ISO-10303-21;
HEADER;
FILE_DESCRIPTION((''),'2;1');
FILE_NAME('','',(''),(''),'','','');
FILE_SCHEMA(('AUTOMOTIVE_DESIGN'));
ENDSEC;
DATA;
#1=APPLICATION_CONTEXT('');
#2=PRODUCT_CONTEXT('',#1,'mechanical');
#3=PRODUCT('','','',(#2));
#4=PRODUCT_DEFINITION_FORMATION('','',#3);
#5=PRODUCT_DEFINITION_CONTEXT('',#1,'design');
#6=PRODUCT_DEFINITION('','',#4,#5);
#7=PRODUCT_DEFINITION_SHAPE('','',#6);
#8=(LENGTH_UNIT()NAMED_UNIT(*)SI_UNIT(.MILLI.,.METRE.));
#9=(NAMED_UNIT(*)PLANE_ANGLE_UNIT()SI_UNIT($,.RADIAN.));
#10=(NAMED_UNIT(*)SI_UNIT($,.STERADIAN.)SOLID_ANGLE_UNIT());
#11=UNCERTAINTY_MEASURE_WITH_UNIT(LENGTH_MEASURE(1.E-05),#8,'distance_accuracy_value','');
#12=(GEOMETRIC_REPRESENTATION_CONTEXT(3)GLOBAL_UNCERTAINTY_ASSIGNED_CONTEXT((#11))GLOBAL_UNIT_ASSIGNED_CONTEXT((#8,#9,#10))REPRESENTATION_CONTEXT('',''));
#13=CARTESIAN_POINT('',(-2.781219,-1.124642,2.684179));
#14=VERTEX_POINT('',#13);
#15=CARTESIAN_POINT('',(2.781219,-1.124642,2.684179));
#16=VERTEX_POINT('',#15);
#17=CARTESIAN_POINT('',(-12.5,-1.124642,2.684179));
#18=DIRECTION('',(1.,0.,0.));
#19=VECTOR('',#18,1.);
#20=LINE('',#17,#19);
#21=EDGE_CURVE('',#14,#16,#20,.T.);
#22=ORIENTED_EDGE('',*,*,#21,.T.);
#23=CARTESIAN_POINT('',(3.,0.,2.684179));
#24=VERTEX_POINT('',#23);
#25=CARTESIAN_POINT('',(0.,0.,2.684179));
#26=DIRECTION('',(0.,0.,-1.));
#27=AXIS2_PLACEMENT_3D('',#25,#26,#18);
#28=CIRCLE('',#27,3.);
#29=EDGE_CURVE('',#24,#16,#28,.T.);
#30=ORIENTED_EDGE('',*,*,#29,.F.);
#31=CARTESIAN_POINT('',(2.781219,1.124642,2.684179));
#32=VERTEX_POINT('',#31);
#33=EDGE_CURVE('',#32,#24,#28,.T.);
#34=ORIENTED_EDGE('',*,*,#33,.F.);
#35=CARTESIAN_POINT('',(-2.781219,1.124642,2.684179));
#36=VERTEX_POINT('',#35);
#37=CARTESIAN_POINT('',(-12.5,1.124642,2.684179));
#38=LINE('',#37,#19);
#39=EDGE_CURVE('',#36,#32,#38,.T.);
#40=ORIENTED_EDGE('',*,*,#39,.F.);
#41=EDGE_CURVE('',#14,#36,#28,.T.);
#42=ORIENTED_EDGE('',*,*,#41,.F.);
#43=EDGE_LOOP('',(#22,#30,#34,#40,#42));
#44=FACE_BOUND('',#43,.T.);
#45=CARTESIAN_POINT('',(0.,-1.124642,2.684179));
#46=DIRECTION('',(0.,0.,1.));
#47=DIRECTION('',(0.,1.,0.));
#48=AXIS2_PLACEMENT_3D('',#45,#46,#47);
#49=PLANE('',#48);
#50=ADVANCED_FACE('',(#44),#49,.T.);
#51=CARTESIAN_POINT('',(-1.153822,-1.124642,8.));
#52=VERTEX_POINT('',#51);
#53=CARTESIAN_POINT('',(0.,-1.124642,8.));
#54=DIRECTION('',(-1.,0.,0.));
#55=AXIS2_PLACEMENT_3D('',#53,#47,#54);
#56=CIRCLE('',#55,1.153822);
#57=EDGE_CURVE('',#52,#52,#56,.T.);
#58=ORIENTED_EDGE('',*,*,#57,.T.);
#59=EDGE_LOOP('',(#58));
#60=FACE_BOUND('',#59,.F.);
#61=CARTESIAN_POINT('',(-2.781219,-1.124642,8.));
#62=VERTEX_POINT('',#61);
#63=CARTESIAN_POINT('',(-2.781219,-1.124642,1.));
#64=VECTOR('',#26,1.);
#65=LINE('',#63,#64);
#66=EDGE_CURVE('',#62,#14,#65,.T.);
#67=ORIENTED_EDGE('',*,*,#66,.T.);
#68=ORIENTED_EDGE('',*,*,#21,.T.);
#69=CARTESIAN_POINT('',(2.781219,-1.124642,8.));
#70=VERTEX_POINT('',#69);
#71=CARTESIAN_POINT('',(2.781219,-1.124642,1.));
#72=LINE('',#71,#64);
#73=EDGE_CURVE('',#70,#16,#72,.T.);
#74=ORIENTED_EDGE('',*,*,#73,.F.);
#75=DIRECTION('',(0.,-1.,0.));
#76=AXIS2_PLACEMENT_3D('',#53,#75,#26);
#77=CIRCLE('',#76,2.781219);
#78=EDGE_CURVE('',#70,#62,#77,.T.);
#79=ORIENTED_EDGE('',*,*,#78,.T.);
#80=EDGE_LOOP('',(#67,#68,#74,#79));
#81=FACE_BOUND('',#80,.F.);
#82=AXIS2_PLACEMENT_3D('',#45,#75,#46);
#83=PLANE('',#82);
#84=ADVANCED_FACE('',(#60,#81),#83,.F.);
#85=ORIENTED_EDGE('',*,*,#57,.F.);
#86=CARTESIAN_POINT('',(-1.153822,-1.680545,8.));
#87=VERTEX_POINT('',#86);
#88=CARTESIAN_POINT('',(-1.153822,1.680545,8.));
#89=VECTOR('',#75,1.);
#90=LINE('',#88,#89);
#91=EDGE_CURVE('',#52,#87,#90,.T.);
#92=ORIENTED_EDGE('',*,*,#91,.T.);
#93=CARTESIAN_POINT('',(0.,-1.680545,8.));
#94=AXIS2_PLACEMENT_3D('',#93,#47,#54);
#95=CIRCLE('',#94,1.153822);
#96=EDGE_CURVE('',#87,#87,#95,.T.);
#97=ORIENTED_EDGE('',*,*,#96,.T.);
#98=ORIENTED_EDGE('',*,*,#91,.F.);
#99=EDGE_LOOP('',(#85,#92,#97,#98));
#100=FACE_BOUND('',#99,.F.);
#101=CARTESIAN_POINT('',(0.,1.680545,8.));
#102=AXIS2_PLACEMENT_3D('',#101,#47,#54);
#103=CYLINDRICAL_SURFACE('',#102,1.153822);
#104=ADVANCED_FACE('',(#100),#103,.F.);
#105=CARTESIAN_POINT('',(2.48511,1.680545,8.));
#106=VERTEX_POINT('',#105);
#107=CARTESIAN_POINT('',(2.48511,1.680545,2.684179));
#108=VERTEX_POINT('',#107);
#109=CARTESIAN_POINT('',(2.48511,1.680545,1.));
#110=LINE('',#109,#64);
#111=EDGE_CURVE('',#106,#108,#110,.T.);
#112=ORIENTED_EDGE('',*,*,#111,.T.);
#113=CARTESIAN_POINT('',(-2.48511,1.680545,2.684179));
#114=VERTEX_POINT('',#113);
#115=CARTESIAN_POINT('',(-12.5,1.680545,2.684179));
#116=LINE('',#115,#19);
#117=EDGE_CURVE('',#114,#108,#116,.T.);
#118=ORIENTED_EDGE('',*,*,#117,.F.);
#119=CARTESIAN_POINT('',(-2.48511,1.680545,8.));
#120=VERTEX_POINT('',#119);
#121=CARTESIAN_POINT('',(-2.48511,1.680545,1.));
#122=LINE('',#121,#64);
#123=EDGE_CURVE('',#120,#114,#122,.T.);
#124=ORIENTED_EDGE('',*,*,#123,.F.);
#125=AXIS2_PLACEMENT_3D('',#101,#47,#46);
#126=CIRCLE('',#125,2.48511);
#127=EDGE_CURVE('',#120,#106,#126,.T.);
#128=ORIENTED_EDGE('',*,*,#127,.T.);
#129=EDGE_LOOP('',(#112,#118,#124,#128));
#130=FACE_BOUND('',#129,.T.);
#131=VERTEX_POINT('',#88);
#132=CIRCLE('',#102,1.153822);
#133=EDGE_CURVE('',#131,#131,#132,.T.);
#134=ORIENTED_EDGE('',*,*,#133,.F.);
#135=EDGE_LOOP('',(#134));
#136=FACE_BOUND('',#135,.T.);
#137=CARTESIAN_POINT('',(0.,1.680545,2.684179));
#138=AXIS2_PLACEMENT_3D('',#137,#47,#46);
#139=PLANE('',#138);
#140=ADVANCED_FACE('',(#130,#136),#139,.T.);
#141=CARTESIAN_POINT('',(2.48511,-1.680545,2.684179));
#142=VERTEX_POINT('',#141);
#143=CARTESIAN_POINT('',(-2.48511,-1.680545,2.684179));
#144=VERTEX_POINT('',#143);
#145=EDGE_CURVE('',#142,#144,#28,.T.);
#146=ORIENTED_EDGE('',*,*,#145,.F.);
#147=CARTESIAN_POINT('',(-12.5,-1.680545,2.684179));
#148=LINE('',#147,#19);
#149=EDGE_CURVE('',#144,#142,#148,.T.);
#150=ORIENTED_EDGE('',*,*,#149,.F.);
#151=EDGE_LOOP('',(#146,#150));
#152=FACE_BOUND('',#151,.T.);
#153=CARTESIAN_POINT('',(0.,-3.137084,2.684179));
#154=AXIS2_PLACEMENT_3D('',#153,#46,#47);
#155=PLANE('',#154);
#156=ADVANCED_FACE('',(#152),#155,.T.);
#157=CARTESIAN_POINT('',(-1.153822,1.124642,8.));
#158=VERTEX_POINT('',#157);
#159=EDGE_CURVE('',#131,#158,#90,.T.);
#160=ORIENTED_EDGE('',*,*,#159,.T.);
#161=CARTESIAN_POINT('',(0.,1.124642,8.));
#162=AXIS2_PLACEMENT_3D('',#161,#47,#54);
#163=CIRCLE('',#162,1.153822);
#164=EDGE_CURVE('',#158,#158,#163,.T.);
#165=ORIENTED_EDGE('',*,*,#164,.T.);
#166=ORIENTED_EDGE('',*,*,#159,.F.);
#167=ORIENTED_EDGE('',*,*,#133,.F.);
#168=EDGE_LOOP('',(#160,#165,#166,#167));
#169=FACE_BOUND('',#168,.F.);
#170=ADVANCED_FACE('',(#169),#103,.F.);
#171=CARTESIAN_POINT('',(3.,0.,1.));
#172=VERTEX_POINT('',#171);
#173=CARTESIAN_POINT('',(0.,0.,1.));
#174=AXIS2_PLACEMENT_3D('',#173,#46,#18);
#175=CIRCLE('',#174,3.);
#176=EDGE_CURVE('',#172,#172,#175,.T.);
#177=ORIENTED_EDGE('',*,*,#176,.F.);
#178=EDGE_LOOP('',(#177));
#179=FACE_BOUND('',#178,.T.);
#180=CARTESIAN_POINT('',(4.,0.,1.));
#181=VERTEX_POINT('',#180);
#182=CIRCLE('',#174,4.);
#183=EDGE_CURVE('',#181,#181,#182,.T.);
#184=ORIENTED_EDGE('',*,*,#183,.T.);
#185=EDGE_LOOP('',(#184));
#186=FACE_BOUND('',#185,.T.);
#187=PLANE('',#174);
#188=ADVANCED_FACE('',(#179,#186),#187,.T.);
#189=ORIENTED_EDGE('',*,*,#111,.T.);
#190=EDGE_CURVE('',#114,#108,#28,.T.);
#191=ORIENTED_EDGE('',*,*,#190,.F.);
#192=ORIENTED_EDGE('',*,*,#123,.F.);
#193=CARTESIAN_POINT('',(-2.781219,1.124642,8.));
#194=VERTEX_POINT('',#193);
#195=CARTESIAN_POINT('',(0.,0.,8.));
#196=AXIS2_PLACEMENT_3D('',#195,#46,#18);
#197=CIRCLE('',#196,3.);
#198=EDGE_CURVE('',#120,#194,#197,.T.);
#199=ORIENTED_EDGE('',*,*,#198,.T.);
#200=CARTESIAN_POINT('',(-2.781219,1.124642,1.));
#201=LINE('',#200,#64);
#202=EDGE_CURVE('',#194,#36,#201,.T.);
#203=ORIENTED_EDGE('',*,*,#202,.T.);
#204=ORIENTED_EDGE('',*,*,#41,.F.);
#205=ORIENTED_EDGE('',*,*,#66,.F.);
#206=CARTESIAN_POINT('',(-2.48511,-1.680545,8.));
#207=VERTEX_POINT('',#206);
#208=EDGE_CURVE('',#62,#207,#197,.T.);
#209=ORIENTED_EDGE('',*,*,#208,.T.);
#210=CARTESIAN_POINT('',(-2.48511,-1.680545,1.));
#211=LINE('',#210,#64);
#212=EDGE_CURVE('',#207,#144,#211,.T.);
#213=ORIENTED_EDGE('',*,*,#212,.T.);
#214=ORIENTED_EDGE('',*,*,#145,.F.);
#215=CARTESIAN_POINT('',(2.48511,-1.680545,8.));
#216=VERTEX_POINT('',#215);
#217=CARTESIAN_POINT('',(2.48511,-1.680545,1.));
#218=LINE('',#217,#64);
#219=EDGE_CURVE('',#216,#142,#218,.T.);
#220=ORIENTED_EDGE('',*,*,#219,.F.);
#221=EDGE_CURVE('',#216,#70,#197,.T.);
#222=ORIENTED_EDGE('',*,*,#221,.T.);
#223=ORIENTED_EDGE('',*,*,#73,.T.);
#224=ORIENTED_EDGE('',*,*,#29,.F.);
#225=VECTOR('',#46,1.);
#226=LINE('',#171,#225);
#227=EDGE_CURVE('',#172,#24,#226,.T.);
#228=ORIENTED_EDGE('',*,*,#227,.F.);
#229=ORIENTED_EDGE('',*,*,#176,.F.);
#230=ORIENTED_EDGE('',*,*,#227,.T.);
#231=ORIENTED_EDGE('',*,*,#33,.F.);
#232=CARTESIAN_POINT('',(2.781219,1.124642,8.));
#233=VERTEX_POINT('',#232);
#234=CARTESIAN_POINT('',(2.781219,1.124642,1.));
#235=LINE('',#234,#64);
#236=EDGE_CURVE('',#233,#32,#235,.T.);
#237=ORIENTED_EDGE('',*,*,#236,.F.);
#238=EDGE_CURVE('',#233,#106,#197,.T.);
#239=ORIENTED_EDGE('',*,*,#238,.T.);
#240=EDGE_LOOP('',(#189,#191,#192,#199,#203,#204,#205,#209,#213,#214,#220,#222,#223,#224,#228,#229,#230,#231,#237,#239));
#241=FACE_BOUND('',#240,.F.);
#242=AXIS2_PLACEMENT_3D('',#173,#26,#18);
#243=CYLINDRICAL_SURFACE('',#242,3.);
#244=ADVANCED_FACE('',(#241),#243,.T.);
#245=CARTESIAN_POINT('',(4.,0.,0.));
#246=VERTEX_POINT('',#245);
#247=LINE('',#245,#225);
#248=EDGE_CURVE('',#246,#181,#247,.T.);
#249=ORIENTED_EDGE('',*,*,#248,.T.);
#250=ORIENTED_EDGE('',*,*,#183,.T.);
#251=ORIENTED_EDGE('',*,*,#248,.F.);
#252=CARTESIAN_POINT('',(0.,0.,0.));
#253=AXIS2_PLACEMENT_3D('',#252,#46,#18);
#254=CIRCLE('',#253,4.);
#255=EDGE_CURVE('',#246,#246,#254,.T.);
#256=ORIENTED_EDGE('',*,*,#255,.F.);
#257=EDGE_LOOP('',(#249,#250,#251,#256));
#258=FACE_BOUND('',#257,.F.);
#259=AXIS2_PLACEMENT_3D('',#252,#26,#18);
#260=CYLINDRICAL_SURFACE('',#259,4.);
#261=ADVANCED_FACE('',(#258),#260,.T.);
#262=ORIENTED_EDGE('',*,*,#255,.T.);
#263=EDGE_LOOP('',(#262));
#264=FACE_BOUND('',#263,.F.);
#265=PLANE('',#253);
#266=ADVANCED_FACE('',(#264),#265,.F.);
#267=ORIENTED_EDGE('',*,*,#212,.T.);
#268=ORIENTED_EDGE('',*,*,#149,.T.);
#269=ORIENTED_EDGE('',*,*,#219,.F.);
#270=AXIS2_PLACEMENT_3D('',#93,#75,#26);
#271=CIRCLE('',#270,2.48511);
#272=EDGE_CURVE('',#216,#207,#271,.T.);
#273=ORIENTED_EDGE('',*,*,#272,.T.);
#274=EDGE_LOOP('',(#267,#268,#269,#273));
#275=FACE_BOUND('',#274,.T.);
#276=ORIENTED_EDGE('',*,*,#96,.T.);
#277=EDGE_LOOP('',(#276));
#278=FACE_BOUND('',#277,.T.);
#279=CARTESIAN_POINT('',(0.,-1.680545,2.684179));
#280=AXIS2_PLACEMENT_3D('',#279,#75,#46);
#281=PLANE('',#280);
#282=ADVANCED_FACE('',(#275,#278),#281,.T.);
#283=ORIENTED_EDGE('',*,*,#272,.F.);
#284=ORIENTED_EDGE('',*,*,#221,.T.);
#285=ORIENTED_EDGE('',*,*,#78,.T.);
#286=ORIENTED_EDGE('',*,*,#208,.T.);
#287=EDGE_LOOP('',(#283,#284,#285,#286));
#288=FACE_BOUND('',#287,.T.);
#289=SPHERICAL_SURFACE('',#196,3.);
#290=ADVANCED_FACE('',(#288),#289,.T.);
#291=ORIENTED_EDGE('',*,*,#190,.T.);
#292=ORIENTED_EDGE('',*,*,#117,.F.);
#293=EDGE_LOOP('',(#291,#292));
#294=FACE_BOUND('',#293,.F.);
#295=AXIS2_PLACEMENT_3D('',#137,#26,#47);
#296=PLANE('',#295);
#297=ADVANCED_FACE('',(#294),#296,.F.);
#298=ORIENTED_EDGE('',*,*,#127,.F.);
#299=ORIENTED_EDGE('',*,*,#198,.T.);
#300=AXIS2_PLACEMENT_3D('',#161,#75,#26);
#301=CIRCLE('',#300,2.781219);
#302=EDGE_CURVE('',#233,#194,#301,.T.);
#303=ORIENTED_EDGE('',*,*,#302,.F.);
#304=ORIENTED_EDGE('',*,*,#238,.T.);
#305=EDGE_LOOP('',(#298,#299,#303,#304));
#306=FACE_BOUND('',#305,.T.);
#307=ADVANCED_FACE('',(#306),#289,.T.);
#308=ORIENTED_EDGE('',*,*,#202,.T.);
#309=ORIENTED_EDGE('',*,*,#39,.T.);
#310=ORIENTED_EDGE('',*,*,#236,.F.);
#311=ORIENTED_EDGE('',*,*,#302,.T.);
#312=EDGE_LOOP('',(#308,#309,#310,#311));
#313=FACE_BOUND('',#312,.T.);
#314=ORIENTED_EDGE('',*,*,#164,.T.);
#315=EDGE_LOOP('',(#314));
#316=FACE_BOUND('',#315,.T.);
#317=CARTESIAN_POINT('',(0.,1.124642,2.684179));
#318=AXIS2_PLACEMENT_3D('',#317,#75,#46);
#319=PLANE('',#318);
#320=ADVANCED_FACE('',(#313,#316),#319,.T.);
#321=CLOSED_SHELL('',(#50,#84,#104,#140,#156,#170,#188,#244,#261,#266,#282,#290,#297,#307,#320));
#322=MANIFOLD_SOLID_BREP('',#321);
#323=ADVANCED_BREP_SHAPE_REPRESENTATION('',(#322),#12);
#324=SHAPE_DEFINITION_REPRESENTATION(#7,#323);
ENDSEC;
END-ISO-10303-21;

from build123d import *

# Parameters (mm, degrees)
F0_R     = 4
F1_DEPTH = 1
F2_R     = 3
F3_DEPTH = 10
F4_R     = 3
F5_W     = 2.2492834833
F5_H     = 10.7352328487
F5_W_2   = 1.4565391466
F6_DEPTH = 12.5
F7_R     = 1.1538217461
F8_DEPTH = 25


with BuildPart() as f1:
    # F0 (on Top) → F1 (new body)
    with BuildSketch(Plane.XY):
        Circle(F0_R)
    extrude(amount=F1_DEPTH)

    # F2 (on face) → F3 (join)
    with BuildSketch(Plane.XY.offset(1)):
        Circle(F2_R)
    extrude(amount=F3_DEPTH)

    # F4
    f4_edges = [f1.edges().sort_by_distance(p)[0] for p in [
        (-3, 0, 11),
    ]]
    fillet(f4_edges, radius=F4_R)

    # F5 (on Right) → F6 (cut, symmetric)
    with BuildSketch(Plane.YZ):
        with Locations((0, 8.051795885)):
            Rectangle(F5_W, F5_H)
        with Locations((-2.4088141508, 8.051795885)):
            Rectangle(F5_W_2, F5_H)
        with Locations((2.4088141508, 8.051795885)):
            Rectangle(F5_W_2, F5_H)
    extrude(amount=F6_DEPTH, both=True, mode=Mode.SUBTRACT)

    # F7 (on face) → F8 (cut)
    with BuildSketch(Plane(origin=(0, 1.6805445775, 0), x_dir=(-1, 0, 0), z_dir=(0, 1, 0))):
        with Locations((0, 8)):
            Circle(F7_R)
    extrude(amount=-F8_DEPTH, mode=Mode.SUBTRACT)


solid = f1.part
